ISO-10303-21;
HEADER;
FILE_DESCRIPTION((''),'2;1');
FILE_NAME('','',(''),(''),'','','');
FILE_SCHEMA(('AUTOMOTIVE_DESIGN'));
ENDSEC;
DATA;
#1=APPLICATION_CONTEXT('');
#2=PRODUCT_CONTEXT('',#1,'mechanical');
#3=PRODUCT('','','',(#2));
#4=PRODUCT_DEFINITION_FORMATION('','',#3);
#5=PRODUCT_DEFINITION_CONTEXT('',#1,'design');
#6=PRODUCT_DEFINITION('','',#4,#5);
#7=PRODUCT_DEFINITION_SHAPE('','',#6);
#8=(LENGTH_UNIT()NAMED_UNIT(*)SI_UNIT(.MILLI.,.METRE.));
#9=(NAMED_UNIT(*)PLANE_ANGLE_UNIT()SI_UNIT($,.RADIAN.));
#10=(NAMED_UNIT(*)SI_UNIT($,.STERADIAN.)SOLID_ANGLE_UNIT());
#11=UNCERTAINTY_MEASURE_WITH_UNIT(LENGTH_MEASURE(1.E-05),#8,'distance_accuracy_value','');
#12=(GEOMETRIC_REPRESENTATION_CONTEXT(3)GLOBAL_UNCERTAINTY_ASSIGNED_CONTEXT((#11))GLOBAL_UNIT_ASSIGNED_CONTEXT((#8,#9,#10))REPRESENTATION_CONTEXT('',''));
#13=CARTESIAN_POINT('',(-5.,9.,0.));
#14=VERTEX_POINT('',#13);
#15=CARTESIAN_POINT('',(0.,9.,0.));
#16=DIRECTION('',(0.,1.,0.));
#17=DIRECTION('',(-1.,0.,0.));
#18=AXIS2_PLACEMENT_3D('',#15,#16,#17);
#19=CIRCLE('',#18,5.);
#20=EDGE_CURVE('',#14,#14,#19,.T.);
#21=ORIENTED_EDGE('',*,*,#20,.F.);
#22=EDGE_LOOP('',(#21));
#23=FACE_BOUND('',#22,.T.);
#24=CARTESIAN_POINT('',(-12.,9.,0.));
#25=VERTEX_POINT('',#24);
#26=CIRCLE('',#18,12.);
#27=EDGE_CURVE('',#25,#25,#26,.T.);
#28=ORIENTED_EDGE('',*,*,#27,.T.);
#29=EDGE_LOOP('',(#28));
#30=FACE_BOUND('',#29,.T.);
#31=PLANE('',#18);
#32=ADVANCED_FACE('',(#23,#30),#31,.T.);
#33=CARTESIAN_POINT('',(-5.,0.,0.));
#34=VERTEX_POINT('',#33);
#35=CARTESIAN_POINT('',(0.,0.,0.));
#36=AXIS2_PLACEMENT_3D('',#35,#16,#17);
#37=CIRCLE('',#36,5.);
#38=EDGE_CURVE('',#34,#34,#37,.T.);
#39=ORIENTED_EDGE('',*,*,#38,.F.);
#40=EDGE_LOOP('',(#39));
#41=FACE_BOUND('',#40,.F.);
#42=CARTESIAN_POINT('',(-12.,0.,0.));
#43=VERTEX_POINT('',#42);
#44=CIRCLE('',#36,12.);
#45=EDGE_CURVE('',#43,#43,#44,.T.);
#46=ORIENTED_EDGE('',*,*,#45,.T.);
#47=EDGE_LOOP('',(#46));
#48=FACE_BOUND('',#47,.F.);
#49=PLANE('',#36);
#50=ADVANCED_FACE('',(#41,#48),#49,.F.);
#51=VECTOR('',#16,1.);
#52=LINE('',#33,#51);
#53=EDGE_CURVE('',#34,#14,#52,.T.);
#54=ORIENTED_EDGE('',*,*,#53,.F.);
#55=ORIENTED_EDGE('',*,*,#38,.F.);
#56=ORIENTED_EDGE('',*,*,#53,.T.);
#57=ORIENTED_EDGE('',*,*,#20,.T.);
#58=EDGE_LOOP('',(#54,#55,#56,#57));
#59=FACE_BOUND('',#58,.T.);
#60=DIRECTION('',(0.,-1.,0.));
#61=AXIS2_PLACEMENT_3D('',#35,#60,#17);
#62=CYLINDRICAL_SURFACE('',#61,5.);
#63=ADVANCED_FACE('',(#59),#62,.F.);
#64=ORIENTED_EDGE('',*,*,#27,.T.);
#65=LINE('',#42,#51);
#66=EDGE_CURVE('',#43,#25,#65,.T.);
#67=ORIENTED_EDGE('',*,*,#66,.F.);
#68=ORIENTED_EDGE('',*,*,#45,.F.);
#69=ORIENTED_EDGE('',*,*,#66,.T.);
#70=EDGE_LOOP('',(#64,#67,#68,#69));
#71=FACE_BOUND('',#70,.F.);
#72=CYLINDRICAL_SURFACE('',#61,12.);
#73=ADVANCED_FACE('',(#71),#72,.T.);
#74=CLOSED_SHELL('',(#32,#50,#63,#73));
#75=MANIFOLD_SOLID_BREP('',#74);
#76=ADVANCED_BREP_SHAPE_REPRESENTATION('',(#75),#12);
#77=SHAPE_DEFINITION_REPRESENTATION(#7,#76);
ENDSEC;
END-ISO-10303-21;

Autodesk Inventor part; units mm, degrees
ref_plane "YZ Plane" through (0, 0, 0) normal (1, 0, 0) x (0, 1, 0)
ref_plane "XZ Plane" through (0, 0, 0) normal (0, 1, 0) x (-1, 0, 0)
ref_plane "XY Plane" through (0, 0, 0) normal (0, 0, 1) x (1, 0, 0)
sketch "Sketch1" plane through (0, 0, 0) normal (0, 1, 0) x (-1, 0, 0)
  circle A0 centre (0, 0) radius 5
  circle A1 centre (0, 0) radius 12
  dimension "d0" = 10
  dimension "d1" = 24
extrude "Extrusion1" add sketch "Sketch1" along normal blind 9
properties part number "Cha_Bi_Tron"
